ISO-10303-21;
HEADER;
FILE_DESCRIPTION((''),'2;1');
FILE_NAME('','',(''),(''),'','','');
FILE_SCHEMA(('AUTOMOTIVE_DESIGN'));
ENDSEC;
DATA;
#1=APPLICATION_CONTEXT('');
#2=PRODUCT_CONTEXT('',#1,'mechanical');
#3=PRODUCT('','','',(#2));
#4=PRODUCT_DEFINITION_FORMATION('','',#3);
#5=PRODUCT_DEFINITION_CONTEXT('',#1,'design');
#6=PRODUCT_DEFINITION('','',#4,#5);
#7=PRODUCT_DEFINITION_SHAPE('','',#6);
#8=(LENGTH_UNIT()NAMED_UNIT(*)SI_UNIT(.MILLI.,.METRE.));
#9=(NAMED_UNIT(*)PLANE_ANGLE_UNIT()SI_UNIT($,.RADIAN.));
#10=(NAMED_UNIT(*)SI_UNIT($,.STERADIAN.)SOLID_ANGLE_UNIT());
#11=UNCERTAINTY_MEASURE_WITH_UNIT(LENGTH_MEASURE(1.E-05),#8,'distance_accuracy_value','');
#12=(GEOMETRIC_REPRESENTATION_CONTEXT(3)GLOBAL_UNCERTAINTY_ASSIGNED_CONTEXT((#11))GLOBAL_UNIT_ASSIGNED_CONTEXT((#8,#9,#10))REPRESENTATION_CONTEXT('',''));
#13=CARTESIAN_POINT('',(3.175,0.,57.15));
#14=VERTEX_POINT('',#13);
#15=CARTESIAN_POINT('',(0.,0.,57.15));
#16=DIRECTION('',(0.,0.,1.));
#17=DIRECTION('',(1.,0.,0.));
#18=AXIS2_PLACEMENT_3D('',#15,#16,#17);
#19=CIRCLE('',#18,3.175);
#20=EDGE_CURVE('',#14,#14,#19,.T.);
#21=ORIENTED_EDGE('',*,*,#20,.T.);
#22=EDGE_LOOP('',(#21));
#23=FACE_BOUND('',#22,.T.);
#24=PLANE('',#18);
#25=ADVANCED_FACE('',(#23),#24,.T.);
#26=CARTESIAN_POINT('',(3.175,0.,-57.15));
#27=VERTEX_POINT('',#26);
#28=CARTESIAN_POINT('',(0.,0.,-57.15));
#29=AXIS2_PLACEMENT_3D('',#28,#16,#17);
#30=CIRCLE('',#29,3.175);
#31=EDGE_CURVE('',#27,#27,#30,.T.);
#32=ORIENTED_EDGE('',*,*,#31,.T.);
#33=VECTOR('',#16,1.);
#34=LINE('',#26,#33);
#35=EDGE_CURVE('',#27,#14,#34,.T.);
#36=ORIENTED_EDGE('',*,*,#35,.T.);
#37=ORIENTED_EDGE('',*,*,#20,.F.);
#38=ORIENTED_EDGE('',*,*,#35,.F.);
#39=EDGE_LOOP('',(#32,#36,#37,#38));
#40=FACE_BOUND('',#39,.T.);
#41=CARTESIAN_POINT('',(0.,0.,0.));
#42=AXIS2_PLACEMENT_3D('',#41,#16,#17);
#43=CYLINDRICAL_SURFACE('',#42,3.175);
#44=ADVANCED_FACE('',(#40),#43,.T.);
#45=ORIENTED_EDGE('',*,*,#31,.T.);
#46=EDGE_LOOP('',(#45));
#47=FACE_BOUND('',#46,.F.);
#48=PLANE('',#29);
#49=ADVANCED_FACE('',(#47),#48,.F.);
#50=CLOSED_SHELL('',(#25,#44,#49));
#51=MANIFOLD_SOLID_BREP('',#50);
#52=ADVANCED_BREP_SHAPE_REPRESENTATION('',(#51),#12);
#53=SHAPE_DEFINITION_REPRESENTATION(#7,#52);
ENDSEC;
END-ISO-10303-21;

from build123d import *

# Parameters (mm, degrees)
SKETCH3_R                = 3.175
BOSS_EXTRUDE1_DEPTH      = 57.15
BOSS_EXTRUDE1_DEPTH_BACK = 57.15


with BuildPart() as part:
    # Sketch3 → Boss-Extrude1 (new body, two sides)
    with BuildSketch(Plane.XY) as boss_extrude1_sk:
        Circle(SKETCH3_R)
    extrude(amount=BOSS_EXTRUDE1_DEPTH)
    extrude(boss_extrude1_sk.sketch, amount=-BOSS_EXTRUDE1_DEPTH_BACK)


solid = part.part
